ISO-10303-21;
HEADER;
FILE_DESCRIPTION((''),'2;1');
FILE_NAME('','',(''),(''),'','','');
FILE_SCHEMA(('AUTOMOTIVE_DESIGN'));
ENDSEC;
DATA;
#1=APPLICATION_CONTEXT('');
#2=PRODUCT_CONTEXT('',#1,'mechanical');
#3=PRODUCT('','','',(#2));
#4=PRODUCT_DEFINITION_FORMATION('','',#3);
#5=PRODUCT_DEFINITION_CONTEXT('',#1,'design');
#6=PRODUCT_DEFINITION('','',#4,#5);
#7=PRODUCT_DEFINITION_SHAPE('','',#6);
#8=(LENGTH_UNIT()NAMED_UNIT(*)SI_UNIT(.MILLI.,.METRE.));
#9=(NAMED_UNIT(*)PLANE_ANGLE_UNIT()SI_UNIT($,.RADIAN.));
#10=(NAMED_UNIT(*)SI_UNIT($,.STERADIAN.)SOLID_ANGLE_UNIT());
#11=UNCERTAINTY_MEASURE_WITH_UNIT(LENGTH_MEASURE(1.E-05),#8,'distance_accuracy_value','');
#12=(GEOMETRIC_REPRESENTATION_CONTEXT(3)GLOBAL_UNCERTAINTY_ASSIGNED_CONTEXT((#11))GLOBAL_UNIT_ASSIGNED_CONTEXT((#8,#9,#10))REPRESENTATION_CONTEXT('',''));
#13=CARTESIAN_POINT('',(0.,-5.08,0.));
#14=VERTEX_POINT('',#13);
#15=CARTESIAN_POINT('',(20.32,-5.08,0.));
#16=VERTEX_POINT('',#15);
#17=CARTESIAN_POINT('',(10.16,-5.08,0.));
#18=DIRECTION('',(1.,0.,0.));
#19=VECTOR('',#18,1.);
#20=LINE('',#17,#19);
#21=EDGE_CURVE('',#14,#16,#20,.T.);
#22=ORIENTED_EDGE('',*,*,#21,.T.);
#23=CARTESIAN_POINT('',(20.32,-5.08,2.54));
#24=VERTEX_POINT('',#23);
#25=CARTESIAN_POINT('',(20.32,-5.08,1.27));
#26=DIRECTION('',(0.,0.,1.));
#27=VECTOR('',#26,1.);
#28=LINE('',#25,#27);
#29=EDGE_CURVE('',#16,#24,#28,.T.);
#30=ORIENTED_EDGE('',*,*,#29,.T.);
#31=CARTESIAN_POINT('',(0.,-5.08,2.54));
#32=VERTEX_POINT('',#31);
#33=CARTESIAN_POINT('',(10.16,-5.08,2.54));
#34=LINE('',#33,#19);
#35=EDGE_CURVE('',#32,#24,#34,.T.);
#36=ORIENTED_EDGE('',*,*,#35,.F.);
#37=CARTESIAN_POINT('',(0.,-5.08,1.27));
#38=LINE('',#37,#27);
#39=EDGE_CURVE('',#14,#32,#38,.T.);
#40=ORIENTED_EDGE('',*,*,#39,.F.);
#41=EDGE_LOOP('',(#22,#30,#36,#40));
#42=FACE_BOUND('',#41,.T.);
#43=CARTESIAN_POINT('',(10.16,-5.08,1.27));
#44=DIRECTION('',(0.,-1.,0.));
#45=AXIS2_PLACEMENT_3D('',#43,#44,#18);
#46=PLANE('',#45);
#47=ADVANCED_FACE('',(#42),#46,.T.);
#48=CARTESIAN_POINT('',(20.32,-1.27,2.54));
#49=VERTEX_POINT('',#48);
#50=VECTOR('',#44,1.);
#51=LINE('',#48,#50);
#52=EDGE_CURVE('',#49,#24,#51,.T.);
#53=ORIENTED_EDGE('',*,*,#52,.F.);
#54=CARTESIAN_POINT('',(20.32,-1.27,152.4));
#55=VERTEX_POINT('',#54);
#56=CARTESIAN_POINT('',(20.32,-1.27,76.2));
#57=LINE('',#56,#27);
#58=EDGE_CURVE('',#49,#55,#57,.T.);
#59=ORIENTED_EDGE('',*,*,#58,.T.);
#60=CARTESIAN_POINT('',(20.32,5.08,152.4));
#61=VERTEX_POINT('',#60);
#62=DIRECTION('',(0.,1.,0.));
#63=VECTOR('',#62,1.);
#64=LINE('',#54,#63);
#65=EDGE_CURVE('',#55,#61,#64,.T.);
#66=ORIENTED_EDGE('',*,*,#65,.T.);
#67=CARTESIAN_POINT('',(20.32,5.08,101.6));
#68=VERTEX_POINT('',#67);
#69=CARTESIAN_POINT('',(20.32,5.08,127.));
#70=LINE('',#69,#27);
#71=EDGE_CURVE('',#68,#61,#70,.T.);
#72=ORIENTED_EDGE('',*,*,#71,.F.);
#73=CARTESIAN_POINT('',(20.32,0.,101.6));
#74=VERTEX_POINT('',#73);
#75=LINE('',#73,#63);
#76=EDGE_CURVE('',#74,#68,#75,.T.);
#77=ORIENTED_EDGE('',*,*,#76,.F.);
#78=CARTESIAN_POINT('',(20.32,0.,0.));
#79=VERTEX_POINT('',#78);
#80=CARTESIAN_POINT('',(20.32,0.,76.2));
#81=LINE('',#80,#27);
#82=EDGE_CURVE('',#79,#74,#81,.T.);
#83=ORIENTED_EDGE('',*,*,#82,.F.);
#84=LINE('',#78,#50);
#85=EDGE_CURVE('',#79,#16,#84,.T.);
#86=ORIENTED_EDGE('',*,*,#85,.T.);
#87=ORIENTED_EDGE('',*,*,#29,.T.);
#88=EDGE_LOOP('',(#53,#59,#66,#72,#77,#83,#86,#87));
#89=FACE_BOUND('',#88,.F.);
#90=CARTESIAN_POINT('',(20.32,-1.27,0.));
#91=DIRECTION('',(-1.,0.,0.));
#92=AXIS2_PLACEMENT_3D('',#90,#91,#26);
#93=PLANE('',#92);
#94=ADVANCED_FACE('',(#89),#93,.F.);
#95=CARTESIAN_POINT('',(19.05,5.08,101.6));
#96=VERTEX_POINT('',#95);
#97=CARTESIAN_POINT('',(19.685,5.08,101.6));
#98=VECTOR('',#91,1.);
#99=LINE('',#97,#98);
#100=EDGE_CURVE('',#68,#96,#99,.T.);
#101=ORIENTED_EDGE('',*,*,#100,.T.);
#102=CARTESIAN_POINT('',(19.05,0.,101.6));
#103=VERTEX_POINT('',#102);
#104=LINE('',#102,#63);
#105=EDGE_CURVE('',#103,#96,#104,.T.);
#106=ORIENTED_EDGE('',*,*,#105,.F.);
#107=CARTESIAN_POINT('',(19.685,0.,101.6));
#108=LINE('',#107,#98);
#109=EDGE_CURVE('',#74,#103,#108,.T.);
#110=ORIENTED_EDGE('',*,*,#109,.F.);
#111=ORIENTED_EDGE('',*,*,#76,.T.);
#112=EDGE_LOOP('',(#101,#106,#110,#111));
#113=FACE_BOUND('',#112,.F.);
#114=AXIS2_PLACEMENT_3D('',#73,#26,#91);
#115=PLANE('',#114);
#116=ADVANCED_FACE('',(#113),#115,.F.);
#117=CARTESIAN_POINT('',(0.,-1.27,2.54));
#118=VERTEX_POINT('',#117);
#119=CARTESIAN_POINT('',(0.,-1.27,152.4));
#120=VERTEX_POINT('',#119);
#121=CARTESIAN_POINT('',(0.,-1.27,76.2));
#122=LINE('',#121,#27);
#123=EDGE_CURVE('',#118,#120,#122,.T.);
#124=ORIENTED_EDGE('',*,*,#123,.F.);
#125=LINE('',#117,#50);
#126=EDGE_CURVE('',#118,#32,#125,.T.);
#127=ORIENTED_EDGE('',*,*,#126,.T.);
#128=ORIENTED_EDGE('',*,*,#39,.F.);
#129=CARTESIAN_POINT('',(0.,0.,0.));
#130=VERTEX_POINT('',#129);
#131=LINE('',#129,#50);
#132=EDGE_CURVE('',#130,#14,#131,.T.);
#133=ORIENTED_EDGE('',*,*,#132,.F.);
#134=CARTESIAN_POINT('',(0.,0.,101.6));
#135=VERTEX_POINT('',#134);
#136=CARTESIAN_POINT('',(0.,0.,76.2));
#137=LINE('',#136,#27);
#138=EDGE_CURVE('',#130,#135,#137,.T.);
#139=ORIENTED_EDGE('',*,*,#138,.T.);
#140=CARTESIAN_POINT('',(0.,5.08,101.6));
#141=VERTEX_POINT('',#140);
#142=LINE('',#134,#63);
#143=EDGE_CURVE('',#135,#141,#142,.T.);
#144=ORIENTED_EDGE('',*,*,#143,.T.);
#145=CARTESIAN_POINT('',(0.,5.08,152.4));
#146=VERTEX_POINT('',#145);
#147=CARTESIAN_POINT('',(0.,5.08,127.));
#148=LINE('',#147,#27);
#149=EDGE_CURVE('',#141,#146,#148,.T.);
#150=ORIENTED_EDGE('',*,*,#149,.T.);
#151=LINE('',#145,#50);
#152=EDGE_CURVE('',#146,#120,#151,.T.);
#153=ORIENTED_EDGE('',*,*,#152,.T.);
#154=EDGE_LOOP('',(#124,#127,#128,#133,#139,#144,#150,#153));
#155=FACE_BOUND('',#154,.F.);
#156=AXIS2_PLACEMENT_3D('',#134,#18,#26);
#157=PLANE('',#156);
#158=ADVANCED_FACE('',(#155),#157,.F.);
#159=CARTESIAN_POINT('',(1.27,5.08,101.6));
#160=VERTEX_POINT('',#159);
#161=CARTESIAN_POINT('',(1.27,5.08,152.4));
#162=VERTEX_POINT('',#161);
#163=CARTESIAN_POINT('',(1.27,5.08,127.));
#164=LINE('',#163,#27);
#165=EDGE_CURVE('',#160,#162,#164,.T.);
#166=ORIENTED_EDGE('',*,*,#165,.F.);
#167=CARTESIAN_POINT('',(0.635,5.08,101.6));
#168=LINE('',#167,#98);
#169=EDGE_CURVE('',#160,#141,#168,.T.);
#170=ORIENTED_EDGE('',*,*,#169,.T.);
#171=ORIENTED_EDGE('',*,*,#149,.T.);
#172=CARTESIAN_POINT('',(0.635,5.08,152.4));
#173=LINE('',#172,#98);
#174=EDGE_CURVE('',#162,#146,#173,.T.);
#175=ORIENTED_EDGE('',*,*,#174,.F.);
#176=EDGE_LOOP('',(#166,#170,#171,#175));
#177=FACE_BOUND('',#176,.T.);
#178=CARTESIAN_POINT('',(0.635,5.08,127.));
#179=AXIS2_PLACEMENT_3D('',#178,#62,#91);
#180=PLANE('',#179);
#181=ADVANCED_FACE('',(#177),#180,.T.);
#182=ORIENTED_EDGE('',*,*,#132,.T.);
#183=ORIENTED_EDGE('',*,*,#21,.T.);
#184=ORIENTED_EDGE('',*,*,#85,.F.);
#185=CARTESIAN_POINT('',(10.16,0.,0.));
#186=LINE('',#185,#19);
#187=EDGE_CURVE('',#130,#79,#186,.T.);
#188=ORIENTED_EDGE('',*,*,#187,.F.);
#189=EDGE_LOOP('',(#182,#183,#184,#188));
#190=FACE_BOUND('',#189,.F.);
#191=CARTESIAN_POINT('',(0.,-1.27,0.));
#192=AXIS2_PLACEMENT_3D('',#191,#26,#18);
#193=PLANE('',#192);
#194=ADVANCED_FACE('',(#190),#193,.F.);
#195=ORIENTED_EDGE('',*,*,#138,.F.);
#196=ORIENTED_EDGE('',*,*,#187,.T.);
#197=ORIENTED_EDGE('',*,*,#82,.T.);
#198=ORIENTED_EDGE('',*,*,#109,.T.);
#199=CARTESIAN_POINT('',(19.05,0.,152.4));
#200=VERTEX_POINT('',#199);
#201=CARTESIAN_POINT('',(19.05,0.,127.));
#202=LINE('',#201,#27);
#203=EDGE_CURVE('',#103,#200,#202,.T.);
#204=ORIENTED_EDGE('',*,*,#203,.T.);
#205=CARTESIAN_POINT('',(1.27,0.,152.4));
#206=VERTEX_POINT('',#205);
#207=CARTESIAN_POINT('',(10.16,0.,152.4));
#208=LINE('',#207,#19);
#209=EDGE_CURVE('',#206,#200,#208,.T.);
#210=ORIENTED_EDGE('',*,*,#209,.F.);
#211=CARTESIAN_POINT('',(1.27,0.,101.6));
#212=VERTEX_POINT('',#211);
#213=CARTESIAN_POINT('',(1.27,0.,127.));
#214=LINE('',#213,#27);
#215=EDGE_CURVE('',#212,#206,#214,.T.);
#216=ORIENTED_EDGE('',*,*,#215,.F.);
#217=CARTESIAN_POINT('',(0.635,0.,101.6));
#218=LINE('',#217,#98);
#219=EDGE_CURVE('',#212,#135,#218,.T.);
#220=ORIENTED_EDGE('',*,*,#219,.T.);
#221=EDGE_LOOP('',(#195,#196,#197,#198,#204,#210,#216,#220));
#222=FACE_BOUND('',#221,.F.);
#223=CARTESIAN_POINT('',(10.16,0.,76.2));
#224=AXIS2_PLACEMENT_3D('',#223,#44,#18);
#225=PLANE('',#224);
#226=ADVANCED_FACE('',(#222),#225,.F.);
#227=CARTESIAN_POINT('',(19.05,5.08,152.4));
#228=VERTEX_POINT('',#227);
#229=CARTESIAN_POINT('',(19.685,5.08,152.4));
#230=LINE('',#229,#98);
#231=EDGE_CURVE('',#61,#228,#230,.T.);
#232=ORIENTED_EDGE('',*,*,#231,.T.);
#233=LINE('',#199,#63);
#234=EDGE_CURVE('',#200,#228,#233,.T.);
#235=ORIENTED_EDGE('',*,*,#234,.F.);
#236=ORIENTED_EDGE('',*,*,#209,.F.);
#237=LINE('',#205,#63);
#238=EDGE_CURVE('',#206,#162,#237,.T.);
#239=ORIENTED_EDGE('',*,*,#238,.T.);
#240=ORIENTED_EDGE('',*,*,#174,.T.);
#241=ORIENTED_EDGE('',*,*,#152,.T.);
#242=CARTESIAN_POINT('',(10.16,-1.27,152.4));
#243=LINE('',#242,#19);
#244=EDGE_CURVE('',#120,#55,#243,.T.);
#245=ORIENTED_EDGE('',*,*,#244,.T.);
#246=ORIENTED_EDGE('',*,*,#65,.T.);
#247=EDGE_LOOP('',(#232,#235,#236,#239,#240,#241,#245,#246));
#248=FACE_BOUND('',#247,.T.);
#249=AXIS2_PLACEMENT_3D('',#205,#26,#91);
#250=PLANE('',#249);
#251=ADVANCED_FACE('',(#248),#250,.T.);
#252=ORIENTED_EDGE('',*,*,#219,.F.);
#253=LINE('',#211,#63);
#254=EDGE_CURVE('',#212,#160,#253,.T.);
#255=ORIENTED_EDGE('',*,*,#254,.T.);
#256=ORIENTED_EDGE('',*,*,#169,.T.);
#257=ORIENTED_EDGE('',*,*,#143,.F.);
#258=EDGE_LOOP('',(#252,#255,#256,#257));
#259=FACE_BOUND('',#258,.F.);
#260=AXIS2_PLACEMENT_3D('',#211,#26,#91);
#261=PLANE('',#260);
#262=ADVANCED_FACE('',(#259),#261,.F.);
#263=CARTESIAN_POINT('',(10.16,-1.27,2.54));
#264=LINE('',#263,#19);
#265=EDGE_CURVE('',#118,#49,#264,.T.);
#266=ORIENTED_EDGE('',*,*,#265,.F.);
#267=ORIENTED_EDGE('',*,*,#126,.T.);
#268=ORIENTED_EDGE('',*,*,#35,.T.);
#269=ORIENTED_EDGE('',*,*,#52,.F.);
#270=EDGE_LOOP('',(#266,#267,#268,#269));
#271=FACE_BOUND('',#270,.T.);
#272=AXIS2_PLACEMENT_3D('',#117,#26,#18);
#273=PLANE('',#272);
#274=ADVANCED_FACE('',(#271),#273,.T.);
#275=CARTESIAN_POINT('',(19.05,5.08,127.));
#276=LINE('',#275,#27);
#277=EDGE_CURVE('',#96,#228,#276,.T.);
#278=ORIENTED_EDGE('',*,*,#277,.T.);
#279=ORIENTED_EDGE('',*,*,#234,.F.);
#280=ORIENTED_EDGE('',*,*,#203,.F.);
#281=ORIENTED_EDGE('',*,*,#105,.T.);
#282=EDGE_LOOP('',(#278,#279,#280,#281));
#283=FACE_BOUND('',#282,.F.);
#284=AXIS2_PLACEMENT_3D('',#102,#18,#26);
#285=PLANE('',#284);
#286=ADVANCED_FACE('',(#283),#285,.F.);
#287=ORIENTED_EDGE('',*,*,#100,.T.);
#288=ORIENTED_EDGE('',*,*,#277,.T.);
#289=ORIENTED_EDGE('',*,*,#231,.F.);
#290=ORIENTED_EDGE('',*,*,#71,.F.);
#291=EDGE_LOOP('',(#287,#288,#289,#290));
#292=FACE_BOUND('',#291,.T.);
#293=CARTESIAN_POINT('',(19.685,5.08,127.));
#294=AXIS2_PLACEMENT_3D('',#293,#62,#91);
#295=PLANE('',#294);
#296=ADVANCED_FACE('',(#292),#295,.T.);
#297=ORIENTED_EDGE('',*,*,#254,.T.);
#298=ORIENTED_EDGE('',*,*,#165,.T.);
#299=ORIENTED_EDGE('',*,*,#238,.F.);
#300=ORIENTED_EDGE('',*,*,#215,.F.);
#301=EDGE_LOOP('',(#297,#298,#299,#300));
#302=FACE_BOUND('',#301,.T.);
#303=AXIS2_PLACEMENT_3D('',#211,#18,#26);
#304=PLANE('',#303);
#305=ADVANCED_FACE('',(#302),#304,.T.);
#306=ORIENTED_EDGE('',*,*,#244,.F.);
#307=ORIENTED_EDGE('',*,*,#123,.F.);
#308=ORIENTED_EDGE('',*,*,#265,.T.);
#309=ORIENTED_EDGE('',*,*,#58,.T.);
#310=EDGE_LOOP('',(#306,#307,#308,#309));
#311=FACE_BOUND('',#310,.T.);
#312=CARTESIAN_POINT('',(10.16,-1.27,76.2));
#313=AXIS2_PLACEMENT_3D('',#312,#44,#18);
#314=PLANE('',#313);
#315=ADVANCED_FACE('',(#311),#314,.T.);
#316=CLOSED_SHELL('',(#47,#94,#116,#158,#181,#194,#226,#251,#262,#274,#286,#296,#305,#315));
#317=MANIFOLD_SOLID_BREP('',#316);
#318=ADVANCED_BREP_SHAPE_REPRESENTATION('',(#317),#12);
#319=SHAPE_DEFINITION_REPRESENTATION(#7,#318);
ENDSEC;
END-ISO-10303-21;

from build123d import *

# Parameters (mm, degrees)
F0_W     = 20.32
F0_H     = 152.4
F1_DEPTH = 1.27
F2_W     = 20.32
F2_H     = 2.54
F3_DEPTH = 3.81
F4_W     = 1.27
F4_H     = 50.8
F5_DEPTH = 5.08


with BuildPart() as f1:
    # F0 (on Front) → F1 (new body)
    with BuildSketch(Plane.XZ):
        with Locations((10.16, 76.2)):
            Rectangle(F0_W, F0_H)
    extrude(amount=F1_DEPTH)

    # F2 (on face) → F3 (join)
    with BuildSketch(Plane.XZ.offset(1.27)):
        with Locations((10.16, 1.27)):
            Rectangle(F2_W, F2_H)
    extrude(amount=F3_DEPTH)

    # F4 (on face) → F5 (join)
    with BuildSketch(Plane(origin=(0, 0, 0), x_dir=(-1, 0, 0), z_dir=(0, 1, 0))):
        with Locations((-0.635, 127)):
            Rectangle(F4_W, F4_H)
        with Locations((-19.685, 127)):
            Rectangle(F4_W, F4_H)
    extrude(amount=F5_DEPTH)


solid = f1.part
